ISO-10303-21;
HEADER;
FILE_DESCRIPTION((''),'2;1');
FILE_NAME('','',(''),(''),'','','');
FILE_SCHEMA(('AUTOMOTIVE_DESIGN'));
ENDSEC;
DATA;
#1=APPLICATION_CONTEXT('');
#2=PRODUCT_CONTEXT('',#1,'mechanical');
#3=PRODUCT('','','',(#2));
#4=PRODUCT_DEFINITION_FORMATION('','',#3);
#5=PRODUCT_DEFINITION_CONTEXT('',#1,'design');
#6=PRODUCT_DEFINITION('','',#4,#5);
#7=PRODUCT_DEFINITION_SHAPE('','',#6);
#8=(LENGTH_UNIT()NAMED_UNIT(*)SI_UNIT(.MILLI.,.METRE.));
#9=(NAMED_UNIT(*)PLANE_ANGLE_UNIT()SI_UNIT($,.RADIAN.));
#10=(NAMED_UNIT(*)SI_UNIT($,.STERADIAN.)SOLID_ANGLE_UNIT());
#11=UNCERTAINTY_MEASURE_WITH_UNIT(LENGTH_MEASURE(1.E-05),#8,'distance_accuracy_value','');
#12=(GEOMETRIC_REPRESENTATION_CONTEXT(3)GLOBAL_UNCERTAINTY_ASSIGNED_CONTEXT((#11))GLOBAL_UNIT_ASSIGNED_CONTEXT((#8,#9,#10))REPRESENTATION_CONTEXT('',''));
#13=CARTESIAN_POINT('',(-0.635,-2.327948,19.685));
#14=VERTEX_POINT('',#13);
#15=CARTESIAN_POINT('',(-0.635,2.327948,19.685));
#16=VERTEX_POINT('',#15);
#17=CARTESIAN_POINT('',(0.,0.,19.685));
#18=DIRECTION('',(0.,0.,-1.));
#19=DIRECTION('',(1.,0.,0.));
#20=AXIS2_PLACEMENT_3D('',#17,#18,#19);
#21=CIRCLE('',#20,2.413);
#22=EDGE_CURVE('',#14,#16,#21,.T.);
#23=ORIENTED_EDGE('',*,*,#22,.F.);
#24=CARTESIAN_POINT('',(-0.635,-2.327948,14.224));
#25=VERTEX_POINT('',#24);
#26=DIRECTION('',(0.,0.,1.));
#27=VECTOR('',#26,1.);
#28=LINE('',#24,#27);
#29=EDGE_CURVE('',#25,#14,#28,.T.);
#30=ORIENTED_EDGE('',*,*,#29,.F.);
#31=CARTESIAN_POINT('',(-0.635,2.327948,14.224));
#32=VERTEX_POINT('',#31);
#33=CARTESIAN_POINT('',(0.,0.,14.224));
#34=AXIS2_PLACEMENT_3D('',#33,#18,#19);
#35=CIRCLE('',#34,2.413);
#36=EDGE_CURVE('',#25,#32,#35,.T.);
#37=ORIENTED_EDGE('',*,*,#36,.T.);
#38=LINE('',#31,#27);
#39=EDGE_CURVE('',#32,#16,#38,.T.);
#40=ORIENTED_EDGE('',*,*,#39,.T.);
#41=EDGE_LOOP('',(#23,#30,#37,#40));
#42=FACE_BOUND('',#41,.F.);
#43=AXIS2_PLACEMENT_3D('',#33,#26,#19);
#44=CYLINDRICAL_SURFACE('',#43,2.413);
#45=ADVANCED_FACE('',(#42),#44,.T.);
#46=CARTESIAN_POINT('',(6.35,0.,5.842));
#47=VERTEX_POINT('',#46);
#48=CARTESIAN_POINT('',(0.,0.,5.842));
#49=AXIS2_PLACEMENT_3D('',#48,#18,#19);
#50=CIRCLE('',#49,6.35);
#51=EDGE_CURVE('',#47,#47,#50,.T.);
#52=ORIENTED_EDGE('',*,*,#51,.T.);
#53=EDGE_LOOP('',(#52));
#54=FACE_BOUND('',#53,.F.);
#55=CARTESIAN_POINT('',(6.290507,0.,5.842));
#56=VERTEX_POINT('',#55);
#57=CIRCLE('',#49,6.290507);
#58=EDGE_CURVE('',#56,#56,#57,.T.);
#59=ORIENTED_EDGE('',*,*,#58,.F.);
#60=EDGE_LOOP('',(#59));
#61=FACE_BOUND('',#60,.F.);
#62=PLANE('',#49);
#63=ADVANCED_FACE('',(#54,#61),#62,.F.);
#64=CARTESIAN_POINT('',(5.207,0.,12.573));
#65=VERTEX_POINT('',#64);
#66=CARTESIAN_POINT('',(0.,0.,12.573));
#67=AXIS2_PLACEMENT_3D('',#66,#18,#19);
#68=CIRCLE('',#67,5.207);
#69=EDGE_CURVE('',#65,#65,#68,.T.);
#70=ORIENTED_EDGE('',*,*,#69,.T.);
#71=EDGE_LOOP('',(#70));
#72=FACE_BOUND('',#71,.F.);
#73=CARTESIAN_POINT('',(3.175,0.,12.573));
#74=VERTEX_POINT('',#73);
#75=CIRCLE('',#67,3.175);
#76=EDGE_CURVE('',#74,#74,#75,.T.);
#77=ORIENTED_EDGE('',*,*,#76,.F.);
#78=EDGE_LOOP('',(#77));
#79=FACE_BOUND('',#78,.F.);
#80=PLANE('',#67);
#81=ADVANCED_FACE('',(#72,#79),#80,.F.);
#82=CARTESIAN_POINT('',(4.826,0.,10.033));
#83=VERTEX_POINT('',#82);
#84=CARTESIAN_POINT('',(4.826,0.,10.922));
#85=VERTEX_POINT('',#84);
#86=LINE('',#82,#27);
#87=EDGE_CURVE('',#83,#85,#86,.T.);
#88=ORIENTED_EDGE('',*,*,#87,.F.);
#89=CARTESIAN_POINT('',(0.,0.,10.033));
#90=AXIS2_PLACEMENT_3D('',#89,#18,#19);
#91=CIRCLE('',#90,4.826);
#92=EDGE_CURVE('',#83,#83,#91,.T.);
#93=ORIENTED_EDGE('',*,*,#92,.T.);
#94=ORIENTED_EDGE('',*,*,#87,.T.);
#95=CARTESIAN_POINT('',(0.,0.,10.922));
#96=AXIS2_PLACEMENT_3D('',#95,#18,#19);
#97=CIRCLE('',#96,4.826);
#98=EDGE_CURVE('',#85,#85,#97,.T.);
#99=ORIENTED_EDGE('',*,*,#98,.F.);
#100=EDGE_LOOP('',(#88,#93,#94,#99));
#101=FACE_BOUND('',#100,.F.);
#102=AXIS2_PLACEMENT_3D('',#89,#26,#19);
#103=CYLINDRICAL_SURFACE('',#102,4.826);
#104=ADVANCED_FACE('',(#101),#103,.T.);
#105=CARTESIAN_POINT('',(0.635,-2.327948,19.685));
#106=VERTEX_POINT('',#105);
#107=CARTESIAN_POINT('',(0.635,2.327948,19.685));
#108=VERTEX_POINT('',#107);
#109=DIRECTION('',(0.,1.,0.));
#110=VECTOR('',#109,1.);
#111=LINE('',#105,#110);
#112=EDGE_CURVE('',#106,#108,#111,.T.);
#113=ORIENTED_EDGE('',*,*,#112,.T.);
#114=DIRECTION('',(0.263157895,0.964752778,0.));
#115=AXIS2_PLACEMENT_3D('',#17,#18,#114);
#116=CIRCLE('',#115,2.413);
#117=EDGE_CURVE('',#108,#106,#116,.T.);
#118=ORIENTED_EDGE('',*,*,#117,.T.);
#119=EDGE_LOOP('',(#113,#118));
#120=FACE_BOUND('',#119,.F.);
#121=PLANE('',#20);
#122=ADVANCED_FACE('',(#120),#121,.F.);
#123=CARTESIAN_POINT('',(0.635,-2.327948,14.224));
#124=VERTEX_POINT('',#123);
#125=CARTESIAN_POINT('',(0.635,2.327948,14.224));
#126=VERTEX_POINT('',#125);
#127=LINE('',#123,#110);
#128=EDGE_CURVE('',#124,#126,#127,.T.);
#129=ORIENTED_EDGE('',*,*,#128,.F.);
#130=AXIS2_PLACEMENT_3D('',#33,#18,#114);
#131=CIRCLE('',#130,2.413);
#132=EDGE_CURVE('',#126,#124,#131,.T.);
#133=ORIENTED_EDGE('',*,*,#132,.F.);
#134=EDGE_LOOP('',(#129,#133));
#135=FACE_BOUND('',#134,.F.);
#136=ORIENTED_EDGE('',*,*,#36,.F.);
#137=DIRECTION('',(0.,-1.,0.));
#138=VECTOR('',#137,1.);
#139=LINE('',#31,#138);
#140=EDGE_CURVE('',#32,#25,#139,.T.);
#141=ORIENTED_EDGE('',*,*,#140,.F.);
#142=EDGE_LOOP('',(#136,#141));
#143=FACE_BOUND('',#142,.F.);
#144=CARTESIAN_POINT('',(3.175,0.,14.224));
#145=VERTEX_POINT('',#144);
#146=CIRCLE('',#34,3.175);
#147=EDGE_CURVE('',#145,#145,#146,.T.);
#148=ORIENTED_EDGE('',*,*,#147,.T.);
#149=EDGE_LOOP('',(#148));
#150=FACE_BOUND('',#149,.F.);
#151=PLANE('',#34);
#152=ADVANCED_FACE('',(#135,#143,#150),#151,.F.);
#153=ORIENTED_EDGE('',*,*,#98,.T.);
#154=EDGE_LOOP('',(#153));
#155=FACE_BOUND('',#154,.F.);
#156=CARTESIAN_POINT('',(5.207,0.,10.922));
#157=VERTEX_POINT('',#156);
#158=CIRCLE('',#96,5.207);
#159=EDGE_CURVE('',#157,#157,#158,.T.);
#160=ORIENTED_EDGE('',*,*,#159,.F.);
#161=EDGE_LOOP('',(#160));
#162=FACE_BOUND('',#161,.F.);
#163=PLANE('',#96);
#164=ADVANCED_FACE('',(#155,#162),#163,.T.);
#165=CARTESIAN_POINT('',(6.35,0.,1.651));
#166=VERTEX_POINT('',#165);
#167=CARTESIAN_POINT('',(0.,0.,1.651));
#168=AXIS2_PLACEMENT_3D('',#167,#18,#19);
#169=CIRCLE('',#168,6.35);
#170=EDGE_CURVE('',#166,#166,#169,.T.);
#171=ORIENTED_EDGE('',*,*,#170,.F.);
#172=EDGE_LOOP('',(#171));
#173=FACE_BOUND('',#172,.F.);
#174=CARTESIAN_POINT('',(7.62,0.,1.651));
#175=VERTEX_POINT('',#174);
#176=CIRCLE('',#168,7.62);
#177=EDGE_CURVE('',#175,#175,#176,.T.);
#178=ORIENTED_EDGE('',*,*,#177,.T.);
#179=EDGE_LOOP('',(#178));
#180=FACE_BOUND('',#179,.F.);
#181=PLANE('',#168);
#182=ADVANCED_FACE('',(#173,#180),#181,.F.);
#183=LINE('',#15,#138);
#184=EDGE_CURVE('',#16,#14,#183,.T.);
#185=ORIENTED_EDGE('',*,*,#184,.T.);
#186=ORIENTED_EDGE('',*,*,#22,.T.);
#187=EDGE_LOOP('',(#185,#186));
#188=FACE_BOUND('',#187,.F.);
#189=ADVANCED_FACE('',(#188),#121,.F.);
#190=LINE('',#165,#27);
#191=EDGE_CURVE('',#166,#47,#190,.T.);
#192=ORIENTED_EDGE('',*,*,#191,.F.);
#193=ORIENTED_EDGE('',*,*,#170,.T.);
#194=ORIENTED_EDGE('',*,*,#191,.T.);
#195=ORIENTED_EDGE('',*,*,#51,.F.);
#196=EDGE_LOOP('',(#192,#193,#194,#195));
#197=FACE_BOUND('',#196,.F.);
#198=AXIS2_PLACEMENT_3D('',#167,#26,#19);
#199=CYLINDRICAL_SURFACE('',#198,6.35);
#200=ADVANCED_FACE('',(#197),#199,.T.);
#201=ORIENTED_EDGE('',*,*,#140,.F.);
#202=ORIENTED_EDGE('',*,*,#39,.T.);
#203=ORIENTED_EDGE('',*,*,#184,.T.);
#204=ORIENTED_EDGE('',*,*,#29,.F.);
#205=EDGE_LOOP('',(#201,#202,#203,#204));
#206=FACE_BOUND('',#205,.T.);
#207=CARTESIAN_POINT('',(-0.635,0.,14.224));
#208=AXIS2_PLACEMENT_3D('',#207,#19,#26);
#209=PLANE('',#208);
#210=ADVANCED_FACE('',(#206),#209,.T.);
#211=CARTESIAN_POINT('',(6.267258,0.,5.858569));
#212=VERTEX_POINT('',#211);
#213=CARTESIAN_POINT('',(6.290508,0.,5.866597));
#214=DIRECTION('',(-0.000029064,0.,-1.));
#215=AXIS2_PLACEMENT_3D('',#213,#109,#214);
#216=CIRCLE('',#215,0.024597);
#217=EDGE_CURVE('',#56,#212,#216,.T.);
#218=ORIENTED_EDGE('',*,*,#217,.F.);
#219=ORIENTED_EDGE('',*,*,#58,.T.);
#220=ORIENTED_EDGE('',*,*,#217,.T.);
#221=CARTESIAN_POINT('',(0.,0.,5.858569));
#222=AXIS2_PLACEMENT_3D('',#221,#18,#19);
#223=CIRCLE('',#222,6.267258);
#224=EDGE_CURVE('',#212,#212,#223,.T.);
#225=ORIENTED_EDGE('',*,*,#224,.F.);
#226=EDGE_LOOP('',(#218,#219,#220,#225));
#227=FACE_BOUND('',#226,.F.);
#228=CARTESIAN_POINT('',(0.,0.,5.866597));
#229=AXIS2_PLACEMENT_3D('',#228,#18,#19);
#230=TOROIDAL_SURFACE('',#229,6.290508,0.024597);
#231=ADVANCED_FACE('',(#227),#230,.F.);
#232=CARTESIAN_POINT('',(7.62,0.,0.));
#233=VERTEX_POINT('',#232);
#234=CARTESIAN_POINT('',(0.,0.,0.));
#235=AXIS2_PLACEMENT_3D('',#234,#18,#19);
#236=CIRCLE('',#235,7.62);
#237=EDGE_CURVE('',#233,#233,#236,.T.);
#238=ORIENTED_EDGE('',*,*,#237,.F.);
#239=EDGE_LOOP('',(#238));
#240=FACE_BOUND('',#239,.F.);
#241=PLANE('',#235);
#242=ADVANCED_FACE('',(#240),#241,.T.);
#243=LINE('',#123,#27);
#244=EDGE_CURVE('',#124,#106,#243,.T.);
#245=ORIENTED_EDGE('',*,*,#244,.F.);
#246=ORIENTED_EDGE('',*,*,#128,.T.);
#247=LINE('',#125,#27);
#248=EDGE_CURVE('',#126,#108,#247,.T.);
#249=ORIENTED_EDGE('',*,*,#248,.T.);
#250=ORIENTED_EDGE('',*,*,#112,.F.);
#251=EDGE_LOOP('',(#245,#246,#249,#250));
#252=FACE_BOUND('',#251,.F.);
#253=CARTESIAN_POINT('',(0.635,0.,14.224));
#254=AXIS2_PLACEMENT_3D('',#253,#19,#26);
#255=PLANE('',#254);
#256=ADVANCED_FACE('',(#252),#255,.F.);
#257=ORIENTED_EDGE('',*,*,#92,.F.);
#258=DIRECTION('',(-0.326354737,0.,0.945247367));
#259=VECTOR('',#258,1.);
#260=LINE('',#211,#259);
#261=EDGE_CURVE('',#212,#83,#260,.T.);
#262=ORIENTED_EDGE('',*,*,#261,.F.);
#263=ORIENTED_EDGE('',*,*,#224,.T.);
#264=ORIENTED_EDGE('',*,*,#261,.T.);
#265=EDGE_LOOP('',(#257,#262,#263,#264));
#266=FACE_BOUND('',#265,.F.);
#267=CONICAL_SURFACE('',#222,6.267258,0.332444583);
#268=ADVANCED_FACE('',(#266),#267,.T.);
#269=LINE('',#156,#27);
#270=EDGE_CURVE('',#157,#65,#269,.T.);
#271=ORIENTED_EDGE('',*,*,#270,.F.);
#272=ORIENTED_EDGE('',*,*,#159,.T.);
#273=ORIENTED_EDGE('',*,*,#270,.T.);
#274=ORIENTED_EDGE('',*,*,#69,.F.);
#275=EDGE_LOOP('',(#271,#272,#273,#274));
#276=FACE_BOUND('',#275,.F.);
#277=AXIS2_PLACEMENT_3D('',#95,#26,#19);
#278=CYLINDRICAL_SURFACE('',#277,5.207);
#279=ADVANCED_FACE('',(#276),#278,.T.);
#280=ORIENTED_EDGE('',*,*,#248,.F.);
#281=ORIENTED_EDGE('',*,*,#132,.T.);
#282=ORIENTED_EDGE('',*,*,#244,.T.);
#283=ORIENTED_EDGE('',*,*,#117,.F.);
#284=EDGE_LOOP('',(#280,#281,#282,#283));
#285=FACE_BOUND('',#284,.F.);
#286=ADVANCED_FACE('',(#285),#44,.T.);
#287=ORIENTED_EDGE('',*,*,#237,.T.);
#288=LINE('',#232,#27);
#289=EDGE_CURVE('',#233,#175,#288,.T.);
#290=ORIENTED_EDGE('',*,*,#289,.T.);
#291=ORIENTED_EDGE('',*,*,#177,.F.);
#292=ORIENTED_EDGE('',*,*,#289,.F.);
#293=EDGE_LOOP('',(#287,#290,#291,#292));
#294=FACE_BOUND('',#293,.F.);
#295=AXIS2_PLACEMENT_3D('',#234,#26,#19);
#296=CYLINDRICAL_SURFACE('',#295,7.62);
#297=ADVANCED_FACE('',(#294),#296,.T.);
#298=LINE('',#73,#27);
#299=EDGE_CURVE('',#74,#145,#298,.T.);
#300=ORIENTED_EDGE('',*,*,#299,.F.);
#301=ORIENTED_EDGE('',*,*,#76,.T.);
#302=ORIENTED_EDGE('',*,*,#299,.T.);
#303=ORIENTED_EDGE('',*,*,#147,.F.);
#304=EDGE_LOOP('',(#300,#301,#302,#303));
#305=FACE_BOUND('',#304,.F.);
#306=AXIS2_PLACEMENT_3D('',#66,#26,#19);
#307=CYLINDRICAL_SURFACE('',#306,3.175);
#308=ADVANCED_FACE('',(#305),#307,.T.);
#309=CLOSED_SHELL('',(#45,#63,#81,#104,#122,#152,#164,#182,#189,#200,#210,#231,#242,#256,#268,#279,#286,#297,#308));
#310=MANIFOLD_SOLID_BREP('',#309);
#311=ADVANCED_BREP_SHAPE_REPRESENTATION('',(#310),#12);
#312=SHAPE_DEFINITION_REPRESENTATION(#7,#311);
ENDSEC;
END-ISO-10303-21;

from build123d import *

# Parameters (mm, degrees)
F0_W     = 0.635
F0_H     = 5.461
F2_DEPTH = 3.175


with BuildPart() as f1:
    # F0 (on Front) → F1 (revolve)
    with BuildSketch(Plane.XZ):
        with BuildLine():
            Line((0, 0), (7.62, 0))
            Line((7.62, 0), (7.62, 1.651))
            Line((7.62, 1.651), (6.35, 1.651))
            Line((6.35, 1.651), (6.35, 5.842))
            Line((6.35, 5.842), (6.290507, 5.842))
            ThreePointArc((6.290507, 5.842), (6.276233, 5.846566), (6.267258, 5.858569))
            Line((6.267258, 5.858569), (4.826, 10.033))
            Line((4.826, 10.033), (4.826, 10.922))
            Line((4.826, 10.922), (5.207, 10.922))
            Line((5.207, 10.922), (5.207, 12.573))
            Line((5.207, 12.573), (3.175, 12.573))
            Line((3.175, 12.573), (3.175, 14.224))
            Line((3.175, 14.224), (2.413, 14.224))
            Line((2.413, 14.224), (2.413, 19.685))
            Line((2.413, 19.685), (0.635, 19.685))
            Line((0.635, 19.685), (0.635, 14.224))
            Line((0.635, 14.224), (0, 14.224))
            Line((0, 14.224), (0, 0))
        make_face()
    revolve(axis=Axis((0, 0, 13.806538), (0, 0, -1)))

    # F0 (on Front) → F2 (cut, symmetric)
    with BuildSketch(Plane.XZ):
        with Locations((-0.3175, 16.9545)):
            Rectangle(F0_W, F0_H)
        with Locations((0.3175, 16.9545)):
            Rectangle(F0_W, F0_H)
    extrude(amount=F2_DEPTH, both=True, mode=Mode.SUBTRACT)


solid = f1.part
